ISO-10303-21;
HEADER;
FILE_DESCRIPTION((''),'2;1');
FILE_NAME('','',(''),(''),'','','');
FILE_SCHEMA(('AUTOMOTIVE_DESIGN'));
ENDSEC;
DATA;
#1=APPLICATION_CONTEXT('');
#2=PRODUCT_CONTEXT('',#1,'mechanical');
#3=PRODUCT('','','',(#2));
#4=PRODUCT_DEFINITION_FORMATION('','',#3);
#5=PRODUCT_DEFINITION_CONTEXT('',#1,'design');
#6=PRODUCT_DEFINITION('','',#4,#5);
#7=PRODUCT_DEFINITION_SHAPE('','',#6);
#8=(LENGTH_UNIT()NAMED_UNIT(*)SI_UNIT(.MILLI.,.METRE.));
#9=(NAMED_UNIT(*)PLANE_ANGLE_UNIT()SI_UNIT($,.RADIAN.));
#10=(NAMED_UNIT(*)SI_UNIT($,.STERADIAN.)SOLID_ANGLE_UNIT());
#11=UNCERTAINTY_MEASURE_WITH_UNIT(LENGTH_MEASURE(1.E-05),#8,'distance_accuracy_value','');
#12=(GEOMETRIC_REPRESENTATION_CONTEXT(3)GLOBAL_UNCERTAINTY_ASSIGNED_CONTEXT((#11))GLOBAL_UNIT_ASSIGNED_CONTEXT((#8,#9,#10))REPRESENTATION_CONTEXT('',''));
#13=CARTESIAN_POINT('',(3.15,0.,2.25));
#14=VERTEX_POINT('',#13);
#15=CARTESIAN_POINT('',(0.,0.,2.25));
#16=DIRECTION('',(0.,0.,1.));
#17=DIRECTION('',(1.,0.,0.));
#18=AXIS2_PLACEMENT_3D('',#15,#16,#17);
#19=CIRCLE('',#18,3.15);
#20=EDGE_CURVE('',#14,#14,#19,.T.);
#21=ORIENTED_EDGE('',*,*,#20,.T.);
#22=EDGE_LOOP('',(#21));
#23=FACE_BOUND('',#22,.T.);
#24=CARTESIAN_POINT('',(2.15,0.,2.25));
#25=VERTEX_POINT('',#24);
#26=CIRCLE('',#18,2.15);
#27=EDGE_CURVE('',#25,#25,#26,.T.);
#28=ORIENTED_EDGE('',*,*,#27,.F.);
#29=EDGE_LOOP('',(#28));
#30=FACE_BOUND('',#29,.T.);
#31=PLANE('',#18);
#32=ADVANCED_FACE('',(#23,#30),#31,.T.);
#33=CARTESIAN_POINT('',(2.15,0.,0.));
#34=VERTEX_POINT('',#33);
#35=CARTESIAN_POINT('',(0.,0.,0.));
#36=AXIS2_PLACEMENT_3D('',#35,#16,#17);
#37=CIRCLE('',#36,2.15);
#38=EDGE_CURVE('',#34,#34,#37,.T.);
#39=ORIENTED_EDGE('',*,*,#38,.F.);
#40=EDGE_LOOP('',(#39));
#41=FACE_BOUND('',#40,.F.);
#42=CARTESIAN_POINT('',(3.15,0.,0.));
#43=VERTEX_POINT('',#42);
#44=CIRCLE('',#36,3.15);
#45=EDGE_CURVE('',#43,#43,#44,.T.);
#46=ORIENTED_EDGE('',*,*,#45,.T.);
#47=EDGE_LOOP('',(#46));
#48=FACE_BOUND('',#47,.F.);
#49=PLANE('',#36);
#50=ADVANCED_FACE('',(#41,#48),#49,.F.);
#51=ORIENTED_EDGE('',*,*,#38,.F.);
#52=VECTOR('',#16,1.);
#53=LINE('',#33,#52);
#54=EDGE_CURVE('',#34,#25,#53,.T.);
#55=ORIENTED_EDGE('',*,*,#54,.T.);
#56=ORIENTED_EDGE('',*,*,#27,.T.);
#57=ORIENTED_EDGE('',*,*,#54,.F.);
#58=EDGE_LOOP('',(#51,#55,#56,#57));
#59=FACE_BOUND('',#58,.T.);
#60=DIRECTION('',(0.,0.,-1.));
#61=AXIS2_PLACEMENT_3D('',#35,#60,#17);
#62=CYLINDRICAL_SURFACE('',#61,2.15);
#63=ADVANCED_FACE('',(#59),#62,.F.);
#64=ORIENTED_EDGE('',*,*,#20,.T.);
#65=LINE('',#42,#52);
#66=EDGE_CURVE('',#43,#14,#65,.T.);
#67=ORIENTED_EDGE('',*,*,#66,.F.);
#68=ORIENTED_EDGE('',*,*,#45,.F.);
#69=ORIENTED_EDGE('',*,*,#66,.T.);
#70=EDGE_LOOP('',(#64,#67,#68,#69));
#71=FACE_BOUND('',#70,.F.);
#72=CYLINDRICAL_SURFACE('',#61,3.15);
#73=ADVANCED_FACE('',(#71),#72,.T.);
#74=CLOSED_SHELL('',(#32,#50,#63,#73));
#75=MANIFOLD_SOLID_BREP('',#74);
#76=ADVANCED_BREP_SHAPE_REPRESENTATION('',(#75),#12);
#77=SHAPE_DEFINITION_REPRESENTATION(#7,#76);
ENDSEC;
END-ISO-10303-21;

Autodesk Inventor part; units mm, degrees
ref_plane "YZ Plane" through (0, 0, 0) normal (1, 0, 0) x (0, 1, 0)
ref_plane "XZ Plane" through (0, 0, 0) normal (0, 1, 0) x (-1, 0, 0)
ref_plane "XY Plane" through (0, 0, 0) normal (0, 0, 1) x (1, 0, 0)
sketch "Skizze1" plane through (0, 0, 0) normal (0, 0, 1) x (1, 0, 0)
  circle A0 centre (0, 0) radius 2.15
  circle A1 centre (0, 0) radius 3.15
  dimension "d0" = 4.3
  dimension "d1" = 6.3
extrude "Extrusion1" add sketch "Skizze1" along normal blind 2.25
properties part number "Distance"
